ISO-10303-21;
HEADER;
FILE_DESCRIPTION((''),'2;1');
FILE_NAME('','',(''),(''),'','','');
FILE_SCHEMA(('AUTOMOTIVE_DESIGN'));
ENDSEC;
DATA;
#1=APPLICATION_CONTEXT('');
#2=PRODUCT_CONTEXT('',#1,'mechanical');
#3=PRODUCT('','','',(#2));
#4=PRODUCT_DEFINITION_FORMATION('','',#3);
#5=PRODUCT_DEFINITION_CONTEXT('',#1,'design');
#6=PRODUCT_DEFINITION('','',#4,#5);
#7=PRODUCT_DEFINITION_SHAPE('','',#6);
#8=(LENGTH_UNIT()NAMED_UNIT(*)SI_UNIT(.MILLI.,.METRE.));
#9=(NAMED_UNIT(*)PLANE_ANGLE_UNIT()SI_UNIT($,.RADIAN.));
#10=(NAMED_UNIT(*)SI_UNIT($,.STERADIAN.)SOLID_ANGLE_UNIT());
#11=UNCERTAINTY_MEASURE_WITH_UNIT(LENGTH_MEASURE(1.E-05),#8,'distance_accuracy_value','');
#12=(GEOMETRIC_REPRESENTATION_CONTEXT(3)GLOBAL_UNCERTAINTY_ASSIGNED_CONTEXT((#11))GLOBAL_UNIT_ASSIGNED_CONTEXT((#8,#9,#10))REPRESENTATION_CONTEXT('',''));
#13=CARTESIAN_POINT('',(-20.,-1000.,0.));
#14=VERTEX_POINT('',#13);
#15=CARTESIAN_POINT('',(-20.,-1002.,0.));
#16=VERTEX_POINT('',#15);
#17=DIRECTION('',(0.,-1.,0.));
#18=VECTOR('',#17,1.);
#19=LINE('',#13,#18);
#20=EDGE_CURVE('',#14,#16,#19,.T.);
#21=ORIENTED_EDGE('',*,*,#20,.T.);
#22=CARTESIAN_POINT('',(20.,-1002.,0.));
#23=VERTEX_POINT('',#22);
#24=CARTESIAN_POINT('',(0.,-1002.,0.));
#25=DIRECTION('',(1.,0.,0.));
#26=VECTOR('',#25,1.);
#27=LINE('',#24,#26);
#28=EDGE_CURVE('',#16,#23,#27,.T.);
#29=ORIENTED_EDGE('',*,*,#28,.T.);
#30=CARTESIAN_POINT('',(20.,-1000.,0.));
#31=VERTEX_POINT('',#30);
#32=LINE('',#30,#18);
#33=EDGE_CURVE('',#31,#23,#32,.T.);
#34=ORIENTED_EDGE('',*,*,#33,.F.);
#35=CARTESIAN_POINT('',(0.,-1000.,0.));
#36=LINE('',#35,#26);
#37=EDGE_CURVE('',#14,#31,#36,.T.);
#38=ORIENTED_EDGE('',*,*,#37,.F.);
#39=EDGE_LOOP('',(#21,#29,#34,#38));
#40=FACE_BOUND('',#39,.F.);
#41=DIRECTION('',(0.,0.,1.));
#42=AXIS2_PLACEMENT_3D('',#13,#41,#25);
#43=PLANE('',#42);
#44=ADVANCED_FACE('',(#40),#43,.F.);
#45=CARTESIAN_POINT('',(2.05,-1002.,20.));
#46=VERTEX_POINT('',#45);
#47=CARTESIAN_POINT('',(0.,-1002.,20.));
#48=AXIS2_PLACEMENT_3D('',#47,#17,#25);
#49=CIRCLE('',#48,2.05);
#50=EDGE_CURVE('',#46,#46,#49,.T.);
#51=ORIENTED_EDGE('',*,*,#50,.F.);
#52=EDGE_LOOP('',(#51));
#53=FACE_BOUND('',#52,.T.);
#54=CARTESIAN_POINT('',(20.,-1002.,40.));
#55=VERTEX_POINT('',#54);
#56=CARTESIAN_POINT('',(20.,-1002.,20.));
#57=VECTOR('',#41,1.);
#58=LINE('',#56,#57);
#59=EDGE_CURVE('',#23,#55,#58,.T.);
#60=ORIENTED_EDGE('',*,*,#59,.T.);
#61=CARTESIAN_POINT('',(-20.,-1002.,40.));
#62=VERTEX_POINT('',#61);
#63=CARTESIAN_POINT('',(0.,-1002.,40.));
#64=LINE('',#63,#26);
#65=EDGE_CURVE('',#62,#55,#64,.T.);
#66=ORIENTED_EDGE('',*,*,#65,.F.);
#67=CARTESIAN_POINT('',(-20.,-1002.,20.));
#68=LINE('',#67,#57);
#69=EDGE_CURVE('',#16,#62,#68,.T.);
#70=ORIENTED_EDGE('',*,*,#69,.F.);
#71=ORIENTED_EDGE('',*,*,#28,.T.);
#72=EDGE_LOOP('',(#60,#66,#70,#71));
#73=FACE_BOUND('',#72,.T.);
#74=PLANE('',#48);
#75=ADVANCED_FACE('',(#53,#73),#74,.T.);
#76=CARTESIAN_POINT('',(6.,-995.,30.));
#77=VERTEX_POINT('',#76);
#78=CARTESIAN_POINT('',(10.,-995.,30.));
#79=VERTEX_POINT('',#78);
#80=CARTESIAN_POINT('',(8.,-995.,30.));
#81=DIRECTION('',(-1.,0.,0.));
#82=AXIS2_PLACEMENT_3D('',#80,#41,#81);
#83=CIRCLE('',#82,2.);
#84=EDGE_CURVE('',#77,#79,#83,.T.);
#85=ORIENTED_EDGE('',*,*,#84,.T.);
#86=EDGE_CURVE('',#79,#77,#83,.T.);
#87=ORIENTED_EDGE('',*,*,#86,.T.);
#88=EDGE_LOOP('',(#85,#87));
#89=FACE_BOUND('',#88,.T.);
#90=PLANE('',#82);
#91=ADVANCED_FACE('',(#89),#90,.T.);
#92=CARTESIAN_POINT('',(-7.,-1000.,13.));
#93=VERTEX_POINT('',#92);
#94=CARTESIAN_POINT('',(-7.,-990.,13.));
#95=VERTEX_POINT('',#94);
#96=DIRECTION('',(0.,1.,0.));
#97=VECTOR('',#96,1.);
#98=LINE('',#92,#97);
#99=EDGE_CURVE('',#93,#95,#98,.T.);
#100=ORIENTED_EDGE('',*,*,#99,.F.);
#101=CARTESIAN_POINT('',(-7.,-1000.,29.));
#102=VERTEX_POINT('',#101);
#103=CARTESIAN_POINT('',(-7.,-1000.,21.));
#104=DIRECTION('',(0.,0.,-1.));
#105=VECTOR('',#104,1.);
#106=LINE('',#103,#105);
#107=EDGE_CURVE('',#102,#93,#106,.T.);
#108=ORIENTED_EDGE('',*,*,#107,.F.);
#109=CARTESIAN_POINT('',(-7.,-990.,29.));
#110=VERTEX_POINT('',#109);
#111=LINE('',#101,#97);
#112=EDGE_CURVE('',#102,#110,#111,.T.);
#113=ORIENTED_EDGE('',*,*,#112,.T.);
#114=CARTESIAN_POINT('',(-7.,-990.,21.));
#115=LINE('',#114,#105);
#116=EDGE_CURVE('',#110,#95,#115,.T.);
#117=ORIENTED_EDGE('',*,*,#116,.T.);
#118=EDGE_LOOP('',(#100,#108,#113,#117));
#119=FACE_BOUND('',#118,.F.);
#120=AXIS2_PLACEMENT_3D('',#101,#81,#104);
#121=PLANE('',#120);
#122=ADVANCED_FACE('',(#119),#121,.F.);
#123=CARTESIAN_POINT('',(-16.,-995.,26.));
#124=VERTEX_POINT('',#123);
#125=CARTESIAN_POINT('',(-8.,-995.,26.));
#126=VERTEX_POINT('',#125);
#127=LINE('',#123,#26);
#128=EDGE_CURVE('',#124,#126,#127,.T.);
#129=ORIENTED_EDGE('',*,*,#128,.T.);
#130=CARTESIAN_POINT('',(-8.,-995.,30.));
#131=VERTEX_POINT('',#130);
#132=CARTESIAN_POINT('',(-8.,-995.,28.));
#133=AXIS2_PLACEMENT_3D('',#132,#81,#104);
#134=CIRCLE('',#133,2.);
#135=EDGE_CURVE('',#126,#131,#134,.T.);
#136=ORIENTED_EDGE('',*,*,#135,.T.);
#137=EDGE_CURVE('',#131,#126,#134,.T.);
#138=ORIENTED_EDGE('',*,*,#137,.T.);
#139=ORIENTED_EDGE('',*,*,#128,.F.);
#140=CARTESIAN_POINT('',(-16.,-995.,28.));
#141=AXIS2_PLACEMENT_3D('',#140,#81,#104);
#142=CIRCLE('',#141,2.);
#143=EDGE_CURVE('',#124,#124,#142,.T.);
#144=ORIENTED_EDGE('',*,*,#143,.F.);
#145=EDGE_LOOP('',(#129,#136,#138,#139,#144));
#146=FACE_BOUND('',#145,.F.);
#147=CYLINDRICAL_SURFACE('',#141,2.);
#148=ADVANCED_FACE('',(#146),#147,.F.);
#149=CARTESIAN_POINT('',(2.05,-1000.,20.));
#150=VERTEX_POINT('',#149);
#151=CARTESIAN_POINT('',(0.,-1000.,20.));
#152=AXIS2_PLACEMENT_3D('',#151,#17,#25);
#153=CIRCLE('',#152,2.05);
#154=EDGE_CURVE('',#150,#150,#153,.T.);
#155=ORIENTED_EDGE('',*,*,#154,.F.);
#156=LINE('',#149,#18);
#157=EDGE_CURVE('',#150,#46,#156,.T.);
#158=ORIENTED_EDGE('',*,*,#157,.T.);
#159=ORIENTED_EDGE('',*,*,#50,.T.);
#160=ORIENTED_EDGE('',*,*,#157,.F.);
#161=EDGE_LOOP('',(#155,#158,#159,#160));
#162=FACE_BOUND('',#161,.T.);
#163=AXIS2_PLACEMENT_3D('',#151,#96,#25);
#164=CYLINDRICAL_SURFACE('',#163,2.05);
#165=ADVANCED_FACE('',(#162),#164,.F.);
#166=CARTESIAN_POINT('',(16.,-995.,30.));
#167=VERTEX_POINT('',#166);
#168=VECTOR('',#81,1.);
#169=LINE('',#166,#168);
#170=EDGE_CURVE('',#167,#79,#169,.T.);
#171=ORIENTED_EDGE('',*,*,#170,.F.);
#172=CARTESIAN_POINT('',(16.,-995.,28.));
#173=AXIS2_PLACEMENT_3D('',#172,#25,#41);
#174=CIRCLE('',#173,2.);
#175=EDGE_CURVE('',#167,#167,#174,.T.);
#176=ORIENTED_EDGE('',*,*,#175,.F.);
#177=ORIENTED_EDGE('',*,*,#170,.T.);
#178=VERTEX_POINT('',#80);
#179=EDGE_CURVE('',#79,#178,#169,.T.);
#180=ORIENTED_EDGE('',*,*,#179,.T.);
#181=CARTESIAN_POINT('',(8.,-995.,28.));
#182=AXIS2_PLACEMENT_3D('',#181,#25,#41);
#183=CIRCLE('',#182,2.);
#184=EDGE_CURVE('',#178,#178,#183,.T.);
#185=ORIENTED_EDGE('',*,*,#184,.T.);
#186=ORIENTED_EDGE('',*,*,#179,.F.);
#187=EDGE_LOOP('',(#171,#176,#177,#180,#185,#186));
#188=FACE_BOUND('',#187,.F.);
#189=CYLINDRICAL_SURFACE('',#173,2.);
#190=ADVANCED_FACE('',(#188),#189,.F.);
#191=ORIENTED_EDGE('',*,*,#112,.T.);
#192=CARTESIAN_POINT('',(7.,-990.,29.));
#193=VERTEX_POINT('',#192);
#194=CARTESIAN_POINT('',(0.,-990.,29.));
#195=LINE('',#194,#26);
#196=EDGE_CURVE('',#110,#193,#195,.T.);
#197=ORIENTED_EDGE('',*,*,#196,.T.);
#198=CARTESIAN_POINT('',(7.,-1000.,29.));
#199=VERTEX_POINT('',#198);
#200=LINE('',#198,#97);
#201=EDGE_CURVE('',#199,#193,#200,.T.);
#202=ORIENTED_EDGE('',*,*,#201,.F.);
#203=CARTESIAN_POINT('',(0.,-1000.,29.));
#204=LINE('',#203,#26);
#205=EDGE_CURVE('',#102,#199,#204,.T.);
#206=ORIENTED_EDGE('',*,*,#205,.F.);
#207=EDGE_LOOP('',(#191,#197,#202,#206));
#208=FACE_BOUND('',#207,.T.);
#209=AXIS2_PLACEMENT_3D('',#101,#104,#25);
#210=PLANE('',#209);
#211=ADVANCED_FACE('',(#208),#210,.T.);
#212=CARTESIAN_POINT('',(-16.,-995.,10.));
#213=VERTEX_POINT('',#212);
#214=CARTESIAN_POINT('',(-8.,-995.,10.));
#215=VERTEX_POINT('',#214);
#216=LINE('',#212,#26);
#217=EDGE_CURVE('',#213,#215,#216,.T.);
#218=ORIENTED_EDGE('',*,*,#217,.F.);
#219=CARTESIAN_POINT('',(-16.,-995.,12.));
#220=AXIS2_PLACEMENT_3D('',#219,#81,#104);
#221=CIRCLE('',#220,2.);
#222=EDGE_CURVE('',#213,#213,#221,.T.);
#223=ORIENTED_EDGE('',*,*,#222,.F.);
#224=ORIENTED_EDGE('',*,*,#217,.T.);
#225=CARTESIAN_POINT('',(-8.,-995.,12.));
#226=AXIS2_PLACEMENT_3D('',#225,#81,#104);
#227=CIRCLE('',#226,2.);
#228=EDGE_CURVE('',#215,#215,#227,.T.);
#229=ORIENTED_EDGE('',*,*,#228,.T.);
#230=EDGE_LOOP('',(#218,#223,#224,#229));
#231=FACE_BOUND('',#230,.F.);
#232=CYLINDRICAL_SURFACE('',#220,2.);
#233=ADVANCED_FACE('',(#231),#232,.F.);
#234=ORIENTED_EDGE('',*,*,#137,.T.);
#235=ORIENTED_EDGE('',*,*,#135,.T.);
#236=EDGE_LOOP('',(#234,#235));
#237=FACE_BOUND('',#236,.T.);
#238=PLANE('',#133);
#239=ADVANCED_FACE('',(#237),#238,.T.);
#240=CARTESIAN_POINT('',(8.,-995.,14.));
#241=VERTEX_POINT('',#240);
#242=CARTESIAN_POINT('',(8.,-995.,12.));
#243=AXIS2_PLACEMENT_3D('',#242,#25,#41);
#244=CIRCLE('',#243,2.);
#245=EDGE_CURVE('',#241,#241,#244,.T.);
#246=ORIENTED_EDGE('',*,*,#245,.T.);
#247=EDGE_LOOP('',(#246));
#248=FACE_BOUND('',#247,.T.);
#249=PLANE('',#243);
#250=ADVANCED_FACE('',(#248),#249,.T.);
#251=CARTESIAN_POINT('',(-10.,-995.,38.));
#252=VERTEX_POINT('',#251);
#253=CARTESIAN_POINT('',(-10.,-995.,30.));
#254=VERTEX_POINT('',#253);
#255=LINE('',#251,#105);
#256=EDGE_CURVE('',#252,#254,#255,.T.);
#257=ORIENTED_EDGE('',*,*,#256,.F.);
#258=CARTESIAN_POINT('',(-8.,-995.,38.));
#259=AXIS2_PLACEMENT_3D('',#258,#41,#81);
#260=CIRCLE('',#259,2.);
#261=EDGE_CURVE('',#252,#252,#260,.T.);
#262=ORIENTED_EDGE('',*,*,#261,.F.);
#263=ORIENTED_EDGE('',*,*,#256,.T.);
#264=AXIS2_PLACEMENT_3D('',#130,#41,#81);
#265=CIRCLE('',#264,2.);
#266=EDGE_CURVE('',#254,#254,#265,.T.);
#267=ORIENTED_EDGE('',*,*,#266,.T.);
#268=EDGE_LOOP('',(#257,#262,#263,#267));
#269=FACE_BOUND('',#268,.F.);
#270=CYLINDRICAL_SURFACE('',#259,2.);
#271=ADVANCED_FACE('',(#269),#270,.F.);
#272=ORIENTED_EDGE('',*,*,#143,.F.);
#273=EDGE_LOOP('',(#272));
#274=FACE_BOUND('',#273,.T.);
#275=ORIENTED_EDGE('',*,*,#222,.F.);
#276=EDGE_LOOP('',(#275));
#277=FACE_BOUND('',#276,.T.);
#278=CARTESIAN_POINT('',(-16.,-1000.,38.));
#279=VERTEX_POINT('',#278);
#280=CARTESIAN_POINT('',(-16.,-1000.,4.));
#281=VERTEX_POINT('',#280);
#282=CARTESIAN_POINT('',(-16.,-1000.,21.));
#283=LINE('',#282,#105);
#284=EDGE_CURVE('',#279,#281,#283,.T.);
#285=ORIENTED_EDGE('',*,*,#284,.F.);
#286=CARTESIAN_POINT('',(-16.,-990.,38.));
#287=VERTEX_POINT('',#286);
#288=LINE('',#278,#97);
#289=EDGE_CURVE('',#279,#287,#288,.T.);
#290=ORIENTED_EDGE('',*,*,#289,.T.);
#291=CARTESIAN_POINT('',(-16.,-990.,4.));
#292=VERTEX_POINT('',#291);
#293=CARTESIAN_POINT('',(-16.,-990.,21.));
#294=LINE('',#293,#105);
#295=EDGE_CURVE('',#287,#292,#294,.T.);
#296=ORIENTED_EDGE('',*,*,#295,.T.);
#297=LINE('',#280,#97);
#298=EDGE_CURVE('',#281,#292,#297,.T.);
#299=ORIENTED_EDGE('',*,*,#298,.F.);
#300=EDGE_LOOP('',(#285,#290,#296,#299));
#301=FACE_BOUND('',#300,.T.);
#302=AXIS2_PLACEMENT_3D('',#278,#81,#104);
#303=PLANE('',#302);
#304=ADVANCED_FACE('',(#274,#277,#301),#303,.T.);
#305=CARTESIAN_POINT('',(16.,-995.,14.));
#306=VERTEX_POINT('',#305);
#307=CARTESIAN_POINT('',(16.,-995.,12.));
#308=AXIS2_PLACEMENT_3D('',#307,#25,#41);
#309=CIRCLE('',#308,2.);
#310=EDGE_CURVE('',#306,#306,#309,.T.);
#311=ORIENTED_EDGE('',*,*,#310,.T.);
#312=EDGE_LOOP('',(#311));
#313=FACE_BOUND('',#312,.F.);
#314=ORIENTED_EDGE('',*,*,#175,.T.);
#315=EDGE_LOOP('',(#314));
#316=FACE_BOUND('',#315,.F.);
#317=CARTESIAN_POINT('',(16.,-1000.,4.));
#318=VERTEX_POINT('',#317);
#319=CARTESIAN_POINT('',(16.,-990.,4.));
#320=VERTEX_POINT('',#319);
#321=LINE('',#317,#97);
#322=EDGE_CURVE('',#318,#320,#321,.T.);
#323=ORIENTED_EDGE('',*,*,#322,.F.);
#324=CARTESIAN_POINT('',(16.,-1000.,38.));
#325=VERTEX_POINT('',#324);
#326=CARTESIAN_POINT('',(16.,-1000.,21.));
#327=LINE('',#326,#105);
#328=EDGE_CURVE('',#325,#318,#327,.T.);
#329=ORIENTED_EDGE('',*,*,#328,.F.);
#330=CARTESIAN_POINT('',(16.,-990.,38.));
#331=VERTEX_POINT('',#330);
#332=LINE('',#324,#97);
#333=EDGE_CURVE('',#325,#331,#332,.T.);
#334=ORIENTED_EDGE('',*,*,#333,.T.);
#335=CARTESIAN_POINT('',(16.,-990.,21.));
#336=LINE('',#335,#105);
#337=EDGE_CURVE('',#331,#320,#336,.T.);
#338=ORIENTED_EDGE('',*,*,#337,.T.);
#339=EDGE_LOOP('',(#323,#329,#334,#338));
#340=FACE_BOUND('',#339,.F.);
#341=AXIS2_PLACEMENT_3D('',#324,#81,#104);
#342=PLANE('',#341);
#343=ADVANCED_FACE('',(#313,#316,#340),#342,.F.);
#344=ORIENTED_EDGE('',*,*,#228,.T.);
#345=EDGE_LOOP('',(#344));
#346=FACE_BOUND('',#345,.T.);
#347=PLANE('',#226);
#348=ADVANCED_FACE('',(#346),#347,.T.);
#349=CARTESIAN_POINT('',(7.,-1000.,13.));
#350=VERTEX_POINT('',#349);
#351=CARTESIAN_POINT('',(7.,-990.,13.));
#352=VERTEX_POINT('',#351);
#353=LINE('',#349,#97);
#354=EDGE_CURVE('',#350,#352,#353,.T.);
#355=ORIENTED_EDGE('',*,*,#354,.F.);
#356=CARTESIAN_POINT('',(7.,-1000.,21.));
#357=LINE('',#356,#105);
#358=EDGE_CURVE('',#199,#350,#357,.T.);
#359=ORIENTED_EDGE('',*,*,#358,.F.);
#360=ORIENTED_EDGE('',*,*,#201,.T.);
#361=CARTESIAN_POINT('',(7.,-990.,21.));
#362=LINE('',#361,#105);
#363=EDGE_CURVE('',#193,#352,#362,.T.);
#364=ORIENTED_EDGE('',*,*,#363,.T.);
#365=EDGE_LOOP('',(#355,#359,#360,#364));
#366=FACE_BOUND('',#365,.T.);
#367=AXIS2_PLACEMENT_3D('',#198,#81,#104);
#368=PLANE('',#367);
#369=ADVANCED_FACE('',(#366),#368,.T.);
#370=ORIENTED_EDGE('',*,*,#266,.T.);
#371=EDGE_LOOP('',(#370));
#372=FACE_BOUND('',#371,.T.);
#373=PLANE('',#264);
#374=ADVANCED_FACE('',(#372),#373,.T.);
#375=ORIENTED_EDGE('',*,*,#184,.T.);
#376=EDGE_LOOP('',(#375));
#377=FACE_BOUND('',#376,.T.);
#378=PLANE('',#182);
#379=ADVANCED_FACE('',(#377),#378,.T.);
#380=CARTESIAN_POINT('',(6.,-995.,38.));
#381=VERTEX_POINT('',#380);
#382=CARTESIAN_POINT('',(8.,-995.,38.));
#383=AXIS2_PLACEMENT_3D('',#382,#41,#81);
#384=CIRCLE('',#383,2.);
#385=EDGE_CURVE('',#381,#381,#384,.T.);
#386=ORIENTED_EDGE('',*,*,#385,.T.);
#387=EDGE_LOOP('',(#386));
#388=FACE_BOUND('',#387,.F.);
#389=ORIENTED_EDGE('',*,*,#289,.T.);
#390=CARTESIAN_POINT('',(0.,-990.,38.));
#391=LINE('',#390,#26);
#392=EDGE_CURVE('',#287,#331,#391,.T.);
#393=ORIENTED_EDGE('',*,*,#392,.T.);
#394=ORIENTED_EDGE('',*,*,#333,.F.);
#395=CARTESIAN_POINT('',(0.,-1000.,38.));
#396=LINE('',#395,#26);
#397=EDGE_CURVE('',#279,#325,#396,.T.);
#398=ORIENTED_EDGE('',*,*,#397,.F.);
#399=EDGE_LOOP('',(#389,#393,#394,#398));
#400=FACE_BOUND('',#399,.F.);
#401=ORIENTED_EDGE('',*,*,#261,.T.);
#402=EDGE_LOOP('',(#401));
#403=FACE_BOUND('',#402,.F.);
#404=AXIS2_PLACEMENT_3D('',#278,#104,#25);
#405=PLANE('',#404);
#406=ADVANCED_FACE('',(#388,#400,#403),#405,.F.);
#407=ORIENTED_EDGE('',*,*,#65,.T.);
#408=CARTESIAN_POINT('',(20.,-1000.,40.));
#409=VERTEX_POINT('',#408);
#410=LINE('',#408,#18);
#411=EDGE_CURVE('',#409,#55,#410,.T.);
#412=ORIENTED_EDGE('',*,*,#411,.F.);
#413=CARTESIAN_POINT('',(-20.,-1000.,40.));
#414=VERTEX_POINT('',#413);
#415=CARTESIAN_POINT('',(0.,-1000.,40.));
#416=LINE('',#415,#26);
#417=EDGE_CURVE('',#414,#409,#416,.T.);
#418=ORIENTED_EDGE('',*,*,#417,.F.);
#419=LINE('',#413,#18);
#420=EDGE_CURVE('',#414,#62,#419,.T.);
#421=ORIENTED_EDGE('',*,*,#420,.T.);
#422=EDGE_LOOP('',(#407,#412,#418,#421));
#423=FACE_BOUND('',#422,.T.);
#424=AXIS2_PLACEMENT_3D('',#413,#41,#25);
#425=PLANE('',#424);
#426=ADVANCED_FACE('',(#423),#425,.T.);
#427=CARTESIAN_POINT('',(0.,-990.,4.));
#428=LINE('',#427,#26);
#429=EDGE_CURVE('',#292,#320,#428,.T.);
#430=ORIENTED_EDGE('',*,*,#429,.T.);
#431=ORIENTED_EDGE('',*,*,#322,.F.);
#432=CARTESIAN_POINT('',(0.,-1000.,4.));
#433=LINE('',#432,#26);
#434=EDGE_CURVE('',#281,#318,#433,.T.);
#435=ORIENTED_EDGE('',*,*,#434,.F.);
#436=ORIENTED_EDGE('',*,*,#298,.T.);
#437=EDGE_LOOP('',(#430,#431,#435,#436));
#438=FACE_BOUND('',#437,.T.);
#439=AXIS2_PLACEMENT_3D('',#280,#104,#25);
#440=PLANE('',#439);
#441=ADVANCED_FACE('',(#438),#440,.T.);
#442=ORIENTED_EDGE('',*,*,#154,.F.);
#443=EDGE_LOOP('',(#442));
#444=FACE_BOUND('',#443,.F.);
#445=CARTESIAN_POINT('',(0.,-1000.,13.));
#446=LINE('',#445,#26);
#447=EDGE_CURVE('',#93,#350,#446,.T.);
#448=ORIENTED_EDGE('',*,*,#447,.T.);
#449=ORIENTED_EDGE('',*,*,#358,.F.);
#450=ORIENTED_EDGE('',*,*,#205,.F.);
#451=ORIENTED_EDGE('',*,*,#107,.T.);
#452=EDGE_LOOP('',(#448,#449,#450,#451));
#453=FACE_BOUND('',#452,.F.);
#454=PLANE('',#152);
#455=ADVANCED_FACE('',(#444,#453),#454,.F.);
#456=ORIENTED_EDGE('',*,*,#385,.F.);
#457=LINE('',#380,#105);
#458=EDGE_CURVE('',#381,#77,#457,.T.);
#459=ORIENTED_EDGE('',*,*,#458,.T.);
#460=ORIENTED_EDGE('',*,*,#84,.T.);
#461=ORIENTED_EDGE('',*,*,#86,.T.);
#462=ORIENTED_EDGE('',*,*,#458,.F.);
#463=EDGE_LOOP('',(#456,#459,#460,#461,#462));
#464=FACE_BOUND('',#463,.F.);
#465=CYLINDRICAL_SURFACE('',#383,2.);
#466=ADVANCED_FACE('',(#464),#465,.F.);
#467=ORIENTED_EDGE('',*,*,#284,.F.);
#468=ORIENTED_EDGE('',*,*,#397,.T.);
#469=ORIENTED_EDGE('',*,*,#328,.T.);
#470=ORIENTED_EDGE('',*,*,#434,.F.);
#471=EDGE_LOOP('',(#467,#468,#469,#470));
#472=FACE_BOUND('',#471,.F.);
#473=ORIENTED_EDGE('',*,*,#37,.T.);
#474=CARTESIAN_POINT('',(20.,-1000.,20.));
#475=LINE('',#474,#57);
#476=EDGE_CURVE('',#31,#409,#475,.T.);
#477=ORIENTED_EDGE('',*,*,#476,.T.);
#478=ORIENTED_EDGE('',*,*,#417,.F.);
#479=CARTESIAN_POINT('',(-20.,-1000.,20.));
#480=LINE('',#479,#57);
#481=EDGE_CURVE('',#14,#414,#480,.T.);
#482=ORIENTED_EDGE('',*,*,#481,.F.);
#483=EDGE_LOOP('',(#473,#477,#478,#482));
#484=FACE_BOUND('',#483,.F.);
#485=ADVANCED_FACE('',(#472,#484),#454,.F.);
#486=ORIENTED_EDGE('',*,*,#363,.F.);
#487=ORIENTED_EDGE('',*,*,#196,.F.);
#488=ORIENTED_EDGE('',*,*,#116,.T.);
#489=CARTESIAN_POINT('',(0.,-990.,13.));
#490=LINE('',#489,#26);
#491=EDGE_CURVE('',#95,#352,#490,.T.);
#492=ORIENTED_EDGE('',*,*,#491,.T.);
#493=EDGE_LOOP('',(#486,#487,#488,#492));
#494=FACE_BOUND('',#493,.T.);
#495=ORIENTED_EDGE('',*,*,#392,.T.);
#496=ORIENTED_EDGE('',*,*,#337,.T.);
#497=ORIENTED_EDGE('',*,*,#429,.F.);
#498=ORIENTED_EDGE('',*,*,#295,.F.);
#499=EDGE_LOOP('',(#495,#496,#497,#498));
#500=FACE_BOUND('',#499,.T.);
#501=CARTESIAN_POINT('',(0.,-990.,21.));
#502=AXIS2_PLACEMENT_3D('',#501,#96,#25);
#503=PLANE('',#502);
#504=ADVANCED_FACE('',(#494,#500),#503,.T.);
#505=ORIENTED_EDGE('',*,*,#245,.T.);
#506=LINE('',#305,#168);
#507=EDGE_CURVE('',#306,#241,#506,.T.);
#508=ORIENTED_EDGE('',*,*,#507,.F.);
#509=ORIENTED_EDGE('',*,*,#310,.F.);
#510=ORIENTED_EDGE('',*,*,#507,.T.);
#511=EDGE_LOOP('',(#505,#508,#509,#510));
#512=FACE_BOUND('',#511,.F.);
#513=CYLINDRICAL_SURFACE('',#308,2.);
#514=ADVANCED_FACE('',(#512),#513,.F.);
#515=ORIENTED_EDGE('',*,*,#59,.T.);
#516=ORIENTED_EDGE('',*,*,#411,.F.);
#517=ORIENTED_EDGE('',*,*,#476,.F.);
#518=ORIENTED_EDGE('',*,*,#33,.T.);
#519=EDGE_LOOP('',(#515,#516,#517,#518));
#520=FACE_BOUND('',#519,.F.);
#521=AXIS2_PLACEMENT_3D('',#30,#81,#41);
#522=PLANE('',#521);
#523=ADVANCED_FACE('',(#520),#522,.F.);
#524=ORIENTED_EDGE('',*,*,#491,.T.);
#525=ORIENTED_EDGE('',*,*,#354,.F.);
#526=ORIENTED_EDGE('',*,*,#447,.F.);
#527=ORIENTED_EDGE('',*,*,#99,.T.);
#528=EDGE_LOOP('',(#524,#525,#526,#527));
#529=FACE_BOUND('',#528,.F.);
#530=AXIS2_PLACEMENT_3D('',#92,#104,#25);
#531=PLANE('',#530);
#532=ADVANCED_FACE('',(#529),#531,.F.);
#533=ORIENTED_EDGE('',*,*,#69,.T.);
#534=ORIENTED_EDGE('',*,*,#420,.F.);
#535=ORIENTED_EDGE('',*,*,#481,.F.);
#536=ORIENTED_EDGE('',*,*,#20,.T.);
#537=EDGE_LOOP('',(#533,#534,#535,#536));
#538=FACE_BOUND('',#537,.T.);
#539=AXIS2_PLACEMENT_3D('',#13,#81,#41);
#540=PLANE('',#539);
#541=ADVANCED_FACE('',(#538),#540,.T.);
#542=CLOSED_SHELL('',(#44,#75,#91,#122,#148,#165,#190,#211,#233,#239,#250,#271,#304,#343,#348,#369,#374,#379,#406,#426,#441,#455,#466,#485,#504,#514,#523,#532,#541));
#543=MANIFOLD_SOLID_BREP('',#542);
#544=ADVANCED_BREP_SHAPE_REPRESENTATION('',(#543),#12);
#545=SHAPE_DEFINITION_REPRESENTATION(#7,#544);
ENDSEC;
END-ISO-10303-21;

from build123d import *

# Parameters (mm, degrees)
SKETCH003_W     = 40
SKETCH003_H     = 40
SKETCH003_R     = 2.05
PAD003_DEPTH    = 2
SKETCH006_W     = 32
SKETCH006_H     = 34
SKETCH006_W_2   = 14
SKETCH006_H_2   = 16
PAD005_DEPTH    = 10
SKETCH029_R     = 2
POCKET010_DEPTH = 8
SKETCH030_R     = 2
POCKET011_DEPTH = 8
SKETCH031_R     = 2
POCKET012_DEPTH = 8


with BuildPart() as part:
    # Sketch003 → Pad003 (new body)
    with BuildSketch(Plane.XZ):
        with Locations((0, 20)):
            Rectangle(SKETCH003_W, SKETCH003_H)
        with Locations((0, 20)):
            Circle(SKETCH003_R, mode=Mode.SUBTRACT)
    extrude(amount=PAD003_DEPTH)

    # Sketch006 (on Face6 of Pad003) → Pad005 (join)
    with BuildSketch(Plane(origin=(0, 0, 0), x_dir=(1, 0, 0), z_dir=(0, 1, 0))):
        with Locations((0, -21)):
            Rectangle(SKETCH006_W, SKETCH006_H)
        with Locations((0, -21)):
            Rectangle(SKETCH006_W_2, SKETCH006_H_2, mode=Mode.SUBTRACT)
    extrude(amount=PAD005_DEPTH)

    # Sketch029 (on Face8 of Pad005) → Pocket010 (cut)
    with BuildSketch(Plane(origin=(0, 0, 38), x_dir=(-1, 0, 0), z_dir=(0, 0, 1))):
        with Locations((-8, -5)):
            Circle(SKETCH029_R)
        with Locations((8, -5)):
            Circle(SKETCH029_R)
    extrude(amount=-POCKET010_DEPTH, mode=Mode.SUBTRACT)

    # Sketch030 (on Face7 of Pocket010) → Pocket011 (cut)
    with BuildSketch(Plane(origin=(-16, 0, 0), x_dir=(0, 0, -1), z_dir=(-1, 0, 0))):
        with Locations((-28, -5)):
            Circle(SKETCH030_R)
        with Locations((-12, -5)):
            Circle(SKETCH030_R)
    extrude(amount=-POCKET011_DEPTH, mode=Mode.SUBTRACT)

    # Sketch031 (on Face9 of Pocket011) → Pocket012 (cut)
    with BuildSketch(Plane(origin=(16, 0, 0), x_dir=(0, 0, 1), z_dir=(1, 0, 0))):
        with Locations((12, -5)):
            Circle(SKETCH031_R)
        with Locations((28, -5)):
            Circle(SKETCH031_R)
    extrude(amount=-POCKET012_DEPTH, mode=Mode.SUBTRACT)


with BuildPart() as part_1:
    # Body003 placement: moved
    add(part.part.moved(Location((0, -1000, 0))))


solid = part_1.part
